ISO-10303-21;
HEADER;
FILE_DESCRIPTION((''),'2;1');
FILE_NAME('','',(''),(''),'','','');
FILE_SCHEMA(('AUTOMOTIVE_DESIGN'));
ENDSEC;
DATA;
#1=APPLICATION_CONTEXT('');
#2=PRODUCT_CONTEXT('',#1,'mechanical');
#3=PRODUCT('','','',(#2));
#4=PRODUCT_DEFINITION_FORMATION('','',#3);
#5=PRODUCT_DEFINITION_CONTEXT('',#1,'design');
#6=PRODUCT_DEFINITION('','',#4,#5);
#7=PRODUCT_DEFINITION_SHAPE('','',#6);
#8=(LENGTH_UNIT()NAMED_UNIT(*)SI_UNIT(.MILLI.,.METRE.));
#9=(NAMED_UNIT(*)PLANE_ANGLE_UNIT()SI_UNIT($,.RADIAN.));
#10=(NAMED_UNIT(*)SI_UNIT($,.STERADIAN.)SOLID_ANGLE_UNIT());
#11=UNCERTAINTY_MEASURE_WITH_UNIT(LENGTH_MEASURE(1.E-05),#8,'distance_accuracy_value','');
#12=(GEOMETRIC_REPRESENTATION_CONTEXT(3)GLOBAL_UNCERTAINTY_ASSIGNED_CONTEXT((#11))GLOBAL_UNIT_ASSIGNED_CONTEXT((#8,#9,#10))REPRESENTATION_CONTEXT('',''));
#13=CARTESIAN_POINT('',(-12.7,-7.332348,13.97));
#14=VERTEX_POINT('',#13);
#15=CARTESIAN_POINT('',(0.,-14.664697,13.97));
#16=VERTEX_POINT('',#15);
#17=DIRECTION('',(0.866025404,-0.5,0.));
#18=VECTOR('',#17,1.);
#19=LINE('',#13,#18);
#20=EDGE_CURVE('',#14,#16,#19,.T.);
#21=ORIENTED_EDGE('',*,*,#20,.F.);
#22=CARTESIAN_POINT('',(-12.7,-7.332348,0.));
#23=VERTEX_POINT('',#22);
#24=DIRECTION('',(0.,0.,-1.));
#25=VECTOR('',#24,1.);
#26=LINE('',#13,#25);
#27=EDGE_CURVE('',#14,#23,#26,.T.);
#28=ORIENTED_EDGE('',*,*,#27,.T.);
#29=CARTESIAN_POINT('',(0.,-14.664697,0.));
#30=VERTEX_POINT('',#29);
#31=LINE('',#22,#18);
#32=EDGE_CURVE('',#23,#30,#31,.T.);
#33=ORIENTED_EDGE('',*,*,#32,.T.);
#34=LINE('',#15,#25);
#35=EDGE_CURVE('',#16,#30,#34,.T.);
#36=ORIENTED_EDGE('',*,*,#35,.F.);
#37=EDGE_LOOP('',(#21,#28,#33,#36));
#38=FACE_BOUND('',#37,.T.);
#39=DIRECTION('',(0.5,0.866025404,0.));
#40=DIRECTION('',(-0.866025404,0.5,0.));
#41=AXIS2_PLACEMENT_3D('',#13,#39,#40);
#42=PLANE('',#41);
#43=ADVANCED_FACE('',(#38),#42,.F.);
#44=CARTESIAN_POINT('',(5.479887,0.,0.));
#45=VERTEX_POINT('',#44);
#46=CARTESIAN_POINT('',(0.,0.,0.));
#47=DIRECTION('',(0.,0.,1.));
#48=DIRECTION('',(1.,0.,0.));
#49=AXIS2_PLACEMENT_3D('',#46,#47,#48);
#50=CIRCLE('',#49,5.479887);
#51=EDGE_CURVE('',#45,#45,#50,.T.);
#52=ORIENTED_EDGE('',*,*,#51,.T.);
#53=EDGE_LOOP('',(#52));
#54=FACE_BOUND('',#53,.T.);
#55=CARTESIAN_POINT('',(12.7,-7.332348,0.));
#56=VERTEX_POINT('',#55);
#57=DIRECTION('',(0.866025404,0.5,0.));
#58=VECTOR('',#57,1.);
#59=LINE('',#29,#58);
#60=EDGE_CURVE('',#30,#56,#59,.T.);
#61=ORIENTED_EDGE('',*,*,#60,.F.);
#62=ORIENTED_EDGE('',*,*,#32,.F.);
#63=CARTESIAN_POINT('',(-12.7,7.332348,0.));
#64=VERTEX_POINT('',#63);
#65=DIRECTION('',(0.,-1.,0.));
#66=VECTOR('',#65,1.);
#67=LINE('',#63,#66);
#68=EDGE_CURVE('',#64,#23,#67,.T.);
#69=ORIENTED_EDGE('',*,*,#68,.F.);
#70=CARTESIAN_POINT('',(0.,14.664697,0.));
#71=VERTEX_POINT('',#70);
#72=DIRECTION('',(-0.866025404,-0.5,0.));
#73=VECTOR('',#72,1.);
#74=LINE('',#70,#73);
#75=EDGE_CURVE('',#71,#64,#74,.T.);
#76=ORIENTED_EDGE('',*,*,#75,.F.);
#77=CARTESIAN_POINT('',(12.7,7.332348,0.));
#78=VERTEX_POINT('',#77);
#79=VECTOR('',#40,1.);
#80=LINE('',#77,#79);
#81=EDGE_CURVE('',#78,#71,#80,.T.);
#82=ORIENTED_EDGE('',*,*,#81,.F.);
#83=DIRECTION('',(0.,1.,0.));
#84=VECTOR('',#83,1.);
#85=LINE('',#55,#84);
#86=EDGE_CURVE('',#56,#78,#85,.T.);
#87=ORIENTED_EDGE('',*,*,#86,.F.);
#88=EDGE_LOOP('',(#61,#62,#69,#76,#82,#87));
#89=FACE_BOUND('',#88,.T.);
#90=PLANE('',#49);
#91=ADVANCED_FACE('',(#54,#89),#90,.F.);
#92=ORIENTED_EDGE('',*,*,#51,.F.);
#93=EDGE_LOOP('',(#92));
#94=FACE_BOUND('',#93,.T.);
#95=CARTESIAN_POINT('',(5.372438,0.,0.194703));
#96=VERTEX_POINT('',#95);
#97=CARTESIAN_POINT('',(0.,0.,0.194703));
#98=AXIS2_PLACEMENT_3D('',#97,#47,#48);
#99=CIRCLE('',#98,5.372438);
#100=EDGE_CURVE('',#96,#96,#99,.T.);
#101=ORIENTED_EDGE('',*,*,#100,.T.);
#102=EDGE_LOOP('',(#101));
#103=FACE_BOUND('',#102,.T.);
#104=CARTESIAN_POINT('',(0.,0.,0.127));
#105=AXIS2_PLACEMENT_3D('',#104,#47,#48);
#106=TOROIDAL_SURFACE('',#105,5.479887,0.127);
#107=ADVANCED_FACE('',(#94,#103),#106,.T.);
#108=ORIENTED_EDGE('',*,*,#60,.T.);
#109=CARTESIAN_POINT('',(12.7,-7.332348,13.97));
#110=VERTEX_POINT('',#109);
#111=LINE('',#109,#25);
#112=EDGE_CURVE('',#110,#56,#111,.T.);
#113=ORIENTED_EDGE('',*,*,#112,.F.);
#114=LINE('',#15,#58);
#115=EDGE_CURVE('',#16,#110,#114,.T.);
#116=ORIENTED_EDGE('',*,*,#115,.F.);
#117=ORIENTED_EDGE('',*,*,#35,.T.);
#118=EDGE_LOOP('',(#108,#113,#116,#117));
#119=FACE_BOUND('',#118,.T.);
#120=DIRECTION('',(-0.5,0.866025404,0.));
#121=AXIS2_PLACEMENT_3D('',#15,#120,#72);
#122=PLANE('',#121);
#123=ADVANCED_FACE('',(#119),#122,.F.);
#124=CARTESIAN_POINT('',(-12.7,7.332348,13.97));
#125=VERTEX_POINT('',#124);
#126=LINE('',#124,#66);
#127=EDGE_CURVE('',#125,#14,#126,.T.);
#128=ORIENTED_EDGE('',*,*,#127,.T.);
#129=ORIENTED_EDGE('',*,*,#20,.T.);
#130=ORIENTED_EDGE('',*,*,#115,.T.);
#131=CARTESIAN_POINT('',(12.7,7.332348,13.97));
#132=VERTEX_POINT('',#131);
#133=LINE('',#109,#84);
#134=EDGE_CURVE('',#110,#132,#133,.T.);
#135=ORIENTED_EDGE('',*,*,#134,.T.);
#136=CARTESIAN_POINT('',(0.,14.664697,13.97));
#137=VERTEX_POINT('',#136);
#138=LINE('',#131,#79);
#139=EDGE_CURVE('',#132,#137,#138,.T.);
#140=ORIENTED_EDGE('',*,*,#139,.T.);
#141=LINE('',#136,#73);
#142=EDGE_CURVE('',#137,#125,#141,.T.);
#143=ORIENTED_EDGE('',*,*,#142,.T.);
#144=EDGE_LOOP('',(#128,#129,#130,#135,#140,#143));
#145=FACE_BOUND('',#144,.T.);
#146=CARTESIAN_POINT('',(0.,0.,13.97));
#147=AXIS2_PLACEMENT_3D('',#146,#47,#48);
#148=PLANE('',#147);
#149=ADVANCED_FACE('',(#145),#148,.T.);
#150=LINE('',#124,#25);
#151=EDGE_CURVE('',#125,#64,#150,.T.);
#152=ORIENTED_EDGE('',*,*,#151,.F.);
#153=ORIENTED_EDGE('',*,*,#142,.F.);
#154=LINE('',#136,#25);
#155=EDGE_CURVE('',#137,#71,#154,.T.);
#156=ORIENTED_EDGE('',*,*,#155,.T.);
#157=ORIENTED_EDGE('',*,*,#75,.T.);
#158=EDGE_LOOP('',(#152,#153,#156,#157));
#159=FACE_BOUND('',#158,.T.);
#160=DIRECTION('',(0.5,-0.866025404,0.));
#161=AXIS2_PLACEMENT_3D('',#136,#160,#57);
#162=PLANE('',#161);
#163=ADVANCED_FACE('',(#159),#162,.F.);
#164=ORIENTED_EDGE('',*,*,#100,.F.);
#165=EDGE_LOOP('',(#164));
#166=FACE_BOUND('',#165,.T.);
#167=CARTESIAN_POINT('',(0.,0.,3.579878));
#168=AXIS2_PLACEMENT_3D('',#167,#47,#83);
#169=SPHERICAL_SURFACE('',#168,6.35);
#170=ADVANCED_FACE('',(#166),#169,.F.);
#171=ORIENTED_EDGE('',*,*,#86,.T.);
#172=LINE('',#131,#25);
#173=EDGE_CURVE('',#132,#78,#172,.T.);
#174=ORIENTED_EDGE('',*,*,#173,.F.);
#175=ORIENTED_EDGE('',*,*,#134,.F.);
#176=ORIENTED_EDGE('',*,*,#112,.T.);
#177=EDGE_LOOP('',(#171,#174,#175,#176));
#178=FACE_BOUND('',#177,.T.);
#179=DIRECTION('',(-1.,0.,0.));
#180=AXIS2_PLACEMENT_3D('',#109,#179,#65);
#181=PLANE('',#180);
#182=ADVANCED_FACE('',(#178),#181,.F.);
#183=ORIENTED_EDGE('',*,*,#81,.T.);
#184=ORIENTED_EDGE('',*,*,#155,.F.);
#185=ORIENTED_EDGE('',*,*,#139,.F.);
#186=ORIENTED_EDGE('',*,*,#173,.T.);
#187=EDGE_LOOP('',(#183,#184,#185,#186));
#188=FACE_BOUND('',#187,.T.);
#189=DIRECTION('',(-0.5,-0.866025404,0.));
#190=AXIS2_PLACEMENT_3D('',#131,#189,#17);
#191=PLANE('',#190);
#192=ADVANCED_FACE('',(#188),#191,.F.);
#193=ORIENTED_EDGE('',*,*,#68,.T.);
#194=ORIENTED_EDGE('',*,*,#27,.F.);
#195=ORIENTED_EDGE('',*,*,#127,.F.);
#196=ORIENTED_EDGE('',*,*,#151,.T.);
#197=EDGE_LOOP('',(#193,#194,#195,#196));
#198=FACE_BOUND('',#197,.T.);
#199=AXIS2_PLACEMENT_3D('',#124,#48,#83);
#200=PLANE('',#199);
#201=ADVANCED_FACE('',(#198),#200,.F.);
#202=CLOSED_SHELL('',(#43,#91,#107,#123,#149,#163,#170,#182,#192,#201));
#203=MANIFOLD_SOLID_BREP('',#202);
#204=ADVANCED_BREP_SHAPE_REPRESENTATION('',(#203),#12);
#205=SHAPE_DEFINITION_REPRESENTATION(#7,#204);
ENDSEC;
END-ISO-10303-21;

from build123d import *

# Parameters (mm, degrees)
BOSS_EXTRUDE1_DEPTH = 13.97


with BuildPart() as part:
    # Sketch1 → Boss-Extrude1 (new body)
    with BuildSketch(Plane.XY):
        Polygon((0, 14.664696837), (-12.7, 7.332348419), (-12.7, -7.332348419), (0, -14.664696837), (12.7, -7.332348419), (12.7, 7.332348419), align=None)
    extrude(amount=BOSS_EXTRUDE1_DEPTH)

    # Sketch4 → Cut-Revolve1 (revolve, cut)
    with BuildSketch(Plane(origin=(0, 0, 0), x_dir=(0, 0, -1), z_dir=(1, 0, 0))):
        with BuildLine():
            Line((0, 5.479886784), (0, 10.067284703))
            Line((0, 10.067284703), (2.770121515, 10.067284703))
            Line((2.770121515, 10.067284703), (2.770121515, 0))
            Line((2.770121515, 0), (-9.929878485, 0))
            ThreePointArc((-9.929878485, 0), (-6.647991818, 5.559602556), (-0.1947035, 5.372438024))
            ThreePointArc((-0.1947035, 5.372438024), (-0.065637733, 5.368694733), (0, 5.479886784))
        make_face()
    revolve(axis=Axis((0, 0, 9.929878485), (0, 0, -1)), mode=Mode.SUBTRACT)


solid = part.part
